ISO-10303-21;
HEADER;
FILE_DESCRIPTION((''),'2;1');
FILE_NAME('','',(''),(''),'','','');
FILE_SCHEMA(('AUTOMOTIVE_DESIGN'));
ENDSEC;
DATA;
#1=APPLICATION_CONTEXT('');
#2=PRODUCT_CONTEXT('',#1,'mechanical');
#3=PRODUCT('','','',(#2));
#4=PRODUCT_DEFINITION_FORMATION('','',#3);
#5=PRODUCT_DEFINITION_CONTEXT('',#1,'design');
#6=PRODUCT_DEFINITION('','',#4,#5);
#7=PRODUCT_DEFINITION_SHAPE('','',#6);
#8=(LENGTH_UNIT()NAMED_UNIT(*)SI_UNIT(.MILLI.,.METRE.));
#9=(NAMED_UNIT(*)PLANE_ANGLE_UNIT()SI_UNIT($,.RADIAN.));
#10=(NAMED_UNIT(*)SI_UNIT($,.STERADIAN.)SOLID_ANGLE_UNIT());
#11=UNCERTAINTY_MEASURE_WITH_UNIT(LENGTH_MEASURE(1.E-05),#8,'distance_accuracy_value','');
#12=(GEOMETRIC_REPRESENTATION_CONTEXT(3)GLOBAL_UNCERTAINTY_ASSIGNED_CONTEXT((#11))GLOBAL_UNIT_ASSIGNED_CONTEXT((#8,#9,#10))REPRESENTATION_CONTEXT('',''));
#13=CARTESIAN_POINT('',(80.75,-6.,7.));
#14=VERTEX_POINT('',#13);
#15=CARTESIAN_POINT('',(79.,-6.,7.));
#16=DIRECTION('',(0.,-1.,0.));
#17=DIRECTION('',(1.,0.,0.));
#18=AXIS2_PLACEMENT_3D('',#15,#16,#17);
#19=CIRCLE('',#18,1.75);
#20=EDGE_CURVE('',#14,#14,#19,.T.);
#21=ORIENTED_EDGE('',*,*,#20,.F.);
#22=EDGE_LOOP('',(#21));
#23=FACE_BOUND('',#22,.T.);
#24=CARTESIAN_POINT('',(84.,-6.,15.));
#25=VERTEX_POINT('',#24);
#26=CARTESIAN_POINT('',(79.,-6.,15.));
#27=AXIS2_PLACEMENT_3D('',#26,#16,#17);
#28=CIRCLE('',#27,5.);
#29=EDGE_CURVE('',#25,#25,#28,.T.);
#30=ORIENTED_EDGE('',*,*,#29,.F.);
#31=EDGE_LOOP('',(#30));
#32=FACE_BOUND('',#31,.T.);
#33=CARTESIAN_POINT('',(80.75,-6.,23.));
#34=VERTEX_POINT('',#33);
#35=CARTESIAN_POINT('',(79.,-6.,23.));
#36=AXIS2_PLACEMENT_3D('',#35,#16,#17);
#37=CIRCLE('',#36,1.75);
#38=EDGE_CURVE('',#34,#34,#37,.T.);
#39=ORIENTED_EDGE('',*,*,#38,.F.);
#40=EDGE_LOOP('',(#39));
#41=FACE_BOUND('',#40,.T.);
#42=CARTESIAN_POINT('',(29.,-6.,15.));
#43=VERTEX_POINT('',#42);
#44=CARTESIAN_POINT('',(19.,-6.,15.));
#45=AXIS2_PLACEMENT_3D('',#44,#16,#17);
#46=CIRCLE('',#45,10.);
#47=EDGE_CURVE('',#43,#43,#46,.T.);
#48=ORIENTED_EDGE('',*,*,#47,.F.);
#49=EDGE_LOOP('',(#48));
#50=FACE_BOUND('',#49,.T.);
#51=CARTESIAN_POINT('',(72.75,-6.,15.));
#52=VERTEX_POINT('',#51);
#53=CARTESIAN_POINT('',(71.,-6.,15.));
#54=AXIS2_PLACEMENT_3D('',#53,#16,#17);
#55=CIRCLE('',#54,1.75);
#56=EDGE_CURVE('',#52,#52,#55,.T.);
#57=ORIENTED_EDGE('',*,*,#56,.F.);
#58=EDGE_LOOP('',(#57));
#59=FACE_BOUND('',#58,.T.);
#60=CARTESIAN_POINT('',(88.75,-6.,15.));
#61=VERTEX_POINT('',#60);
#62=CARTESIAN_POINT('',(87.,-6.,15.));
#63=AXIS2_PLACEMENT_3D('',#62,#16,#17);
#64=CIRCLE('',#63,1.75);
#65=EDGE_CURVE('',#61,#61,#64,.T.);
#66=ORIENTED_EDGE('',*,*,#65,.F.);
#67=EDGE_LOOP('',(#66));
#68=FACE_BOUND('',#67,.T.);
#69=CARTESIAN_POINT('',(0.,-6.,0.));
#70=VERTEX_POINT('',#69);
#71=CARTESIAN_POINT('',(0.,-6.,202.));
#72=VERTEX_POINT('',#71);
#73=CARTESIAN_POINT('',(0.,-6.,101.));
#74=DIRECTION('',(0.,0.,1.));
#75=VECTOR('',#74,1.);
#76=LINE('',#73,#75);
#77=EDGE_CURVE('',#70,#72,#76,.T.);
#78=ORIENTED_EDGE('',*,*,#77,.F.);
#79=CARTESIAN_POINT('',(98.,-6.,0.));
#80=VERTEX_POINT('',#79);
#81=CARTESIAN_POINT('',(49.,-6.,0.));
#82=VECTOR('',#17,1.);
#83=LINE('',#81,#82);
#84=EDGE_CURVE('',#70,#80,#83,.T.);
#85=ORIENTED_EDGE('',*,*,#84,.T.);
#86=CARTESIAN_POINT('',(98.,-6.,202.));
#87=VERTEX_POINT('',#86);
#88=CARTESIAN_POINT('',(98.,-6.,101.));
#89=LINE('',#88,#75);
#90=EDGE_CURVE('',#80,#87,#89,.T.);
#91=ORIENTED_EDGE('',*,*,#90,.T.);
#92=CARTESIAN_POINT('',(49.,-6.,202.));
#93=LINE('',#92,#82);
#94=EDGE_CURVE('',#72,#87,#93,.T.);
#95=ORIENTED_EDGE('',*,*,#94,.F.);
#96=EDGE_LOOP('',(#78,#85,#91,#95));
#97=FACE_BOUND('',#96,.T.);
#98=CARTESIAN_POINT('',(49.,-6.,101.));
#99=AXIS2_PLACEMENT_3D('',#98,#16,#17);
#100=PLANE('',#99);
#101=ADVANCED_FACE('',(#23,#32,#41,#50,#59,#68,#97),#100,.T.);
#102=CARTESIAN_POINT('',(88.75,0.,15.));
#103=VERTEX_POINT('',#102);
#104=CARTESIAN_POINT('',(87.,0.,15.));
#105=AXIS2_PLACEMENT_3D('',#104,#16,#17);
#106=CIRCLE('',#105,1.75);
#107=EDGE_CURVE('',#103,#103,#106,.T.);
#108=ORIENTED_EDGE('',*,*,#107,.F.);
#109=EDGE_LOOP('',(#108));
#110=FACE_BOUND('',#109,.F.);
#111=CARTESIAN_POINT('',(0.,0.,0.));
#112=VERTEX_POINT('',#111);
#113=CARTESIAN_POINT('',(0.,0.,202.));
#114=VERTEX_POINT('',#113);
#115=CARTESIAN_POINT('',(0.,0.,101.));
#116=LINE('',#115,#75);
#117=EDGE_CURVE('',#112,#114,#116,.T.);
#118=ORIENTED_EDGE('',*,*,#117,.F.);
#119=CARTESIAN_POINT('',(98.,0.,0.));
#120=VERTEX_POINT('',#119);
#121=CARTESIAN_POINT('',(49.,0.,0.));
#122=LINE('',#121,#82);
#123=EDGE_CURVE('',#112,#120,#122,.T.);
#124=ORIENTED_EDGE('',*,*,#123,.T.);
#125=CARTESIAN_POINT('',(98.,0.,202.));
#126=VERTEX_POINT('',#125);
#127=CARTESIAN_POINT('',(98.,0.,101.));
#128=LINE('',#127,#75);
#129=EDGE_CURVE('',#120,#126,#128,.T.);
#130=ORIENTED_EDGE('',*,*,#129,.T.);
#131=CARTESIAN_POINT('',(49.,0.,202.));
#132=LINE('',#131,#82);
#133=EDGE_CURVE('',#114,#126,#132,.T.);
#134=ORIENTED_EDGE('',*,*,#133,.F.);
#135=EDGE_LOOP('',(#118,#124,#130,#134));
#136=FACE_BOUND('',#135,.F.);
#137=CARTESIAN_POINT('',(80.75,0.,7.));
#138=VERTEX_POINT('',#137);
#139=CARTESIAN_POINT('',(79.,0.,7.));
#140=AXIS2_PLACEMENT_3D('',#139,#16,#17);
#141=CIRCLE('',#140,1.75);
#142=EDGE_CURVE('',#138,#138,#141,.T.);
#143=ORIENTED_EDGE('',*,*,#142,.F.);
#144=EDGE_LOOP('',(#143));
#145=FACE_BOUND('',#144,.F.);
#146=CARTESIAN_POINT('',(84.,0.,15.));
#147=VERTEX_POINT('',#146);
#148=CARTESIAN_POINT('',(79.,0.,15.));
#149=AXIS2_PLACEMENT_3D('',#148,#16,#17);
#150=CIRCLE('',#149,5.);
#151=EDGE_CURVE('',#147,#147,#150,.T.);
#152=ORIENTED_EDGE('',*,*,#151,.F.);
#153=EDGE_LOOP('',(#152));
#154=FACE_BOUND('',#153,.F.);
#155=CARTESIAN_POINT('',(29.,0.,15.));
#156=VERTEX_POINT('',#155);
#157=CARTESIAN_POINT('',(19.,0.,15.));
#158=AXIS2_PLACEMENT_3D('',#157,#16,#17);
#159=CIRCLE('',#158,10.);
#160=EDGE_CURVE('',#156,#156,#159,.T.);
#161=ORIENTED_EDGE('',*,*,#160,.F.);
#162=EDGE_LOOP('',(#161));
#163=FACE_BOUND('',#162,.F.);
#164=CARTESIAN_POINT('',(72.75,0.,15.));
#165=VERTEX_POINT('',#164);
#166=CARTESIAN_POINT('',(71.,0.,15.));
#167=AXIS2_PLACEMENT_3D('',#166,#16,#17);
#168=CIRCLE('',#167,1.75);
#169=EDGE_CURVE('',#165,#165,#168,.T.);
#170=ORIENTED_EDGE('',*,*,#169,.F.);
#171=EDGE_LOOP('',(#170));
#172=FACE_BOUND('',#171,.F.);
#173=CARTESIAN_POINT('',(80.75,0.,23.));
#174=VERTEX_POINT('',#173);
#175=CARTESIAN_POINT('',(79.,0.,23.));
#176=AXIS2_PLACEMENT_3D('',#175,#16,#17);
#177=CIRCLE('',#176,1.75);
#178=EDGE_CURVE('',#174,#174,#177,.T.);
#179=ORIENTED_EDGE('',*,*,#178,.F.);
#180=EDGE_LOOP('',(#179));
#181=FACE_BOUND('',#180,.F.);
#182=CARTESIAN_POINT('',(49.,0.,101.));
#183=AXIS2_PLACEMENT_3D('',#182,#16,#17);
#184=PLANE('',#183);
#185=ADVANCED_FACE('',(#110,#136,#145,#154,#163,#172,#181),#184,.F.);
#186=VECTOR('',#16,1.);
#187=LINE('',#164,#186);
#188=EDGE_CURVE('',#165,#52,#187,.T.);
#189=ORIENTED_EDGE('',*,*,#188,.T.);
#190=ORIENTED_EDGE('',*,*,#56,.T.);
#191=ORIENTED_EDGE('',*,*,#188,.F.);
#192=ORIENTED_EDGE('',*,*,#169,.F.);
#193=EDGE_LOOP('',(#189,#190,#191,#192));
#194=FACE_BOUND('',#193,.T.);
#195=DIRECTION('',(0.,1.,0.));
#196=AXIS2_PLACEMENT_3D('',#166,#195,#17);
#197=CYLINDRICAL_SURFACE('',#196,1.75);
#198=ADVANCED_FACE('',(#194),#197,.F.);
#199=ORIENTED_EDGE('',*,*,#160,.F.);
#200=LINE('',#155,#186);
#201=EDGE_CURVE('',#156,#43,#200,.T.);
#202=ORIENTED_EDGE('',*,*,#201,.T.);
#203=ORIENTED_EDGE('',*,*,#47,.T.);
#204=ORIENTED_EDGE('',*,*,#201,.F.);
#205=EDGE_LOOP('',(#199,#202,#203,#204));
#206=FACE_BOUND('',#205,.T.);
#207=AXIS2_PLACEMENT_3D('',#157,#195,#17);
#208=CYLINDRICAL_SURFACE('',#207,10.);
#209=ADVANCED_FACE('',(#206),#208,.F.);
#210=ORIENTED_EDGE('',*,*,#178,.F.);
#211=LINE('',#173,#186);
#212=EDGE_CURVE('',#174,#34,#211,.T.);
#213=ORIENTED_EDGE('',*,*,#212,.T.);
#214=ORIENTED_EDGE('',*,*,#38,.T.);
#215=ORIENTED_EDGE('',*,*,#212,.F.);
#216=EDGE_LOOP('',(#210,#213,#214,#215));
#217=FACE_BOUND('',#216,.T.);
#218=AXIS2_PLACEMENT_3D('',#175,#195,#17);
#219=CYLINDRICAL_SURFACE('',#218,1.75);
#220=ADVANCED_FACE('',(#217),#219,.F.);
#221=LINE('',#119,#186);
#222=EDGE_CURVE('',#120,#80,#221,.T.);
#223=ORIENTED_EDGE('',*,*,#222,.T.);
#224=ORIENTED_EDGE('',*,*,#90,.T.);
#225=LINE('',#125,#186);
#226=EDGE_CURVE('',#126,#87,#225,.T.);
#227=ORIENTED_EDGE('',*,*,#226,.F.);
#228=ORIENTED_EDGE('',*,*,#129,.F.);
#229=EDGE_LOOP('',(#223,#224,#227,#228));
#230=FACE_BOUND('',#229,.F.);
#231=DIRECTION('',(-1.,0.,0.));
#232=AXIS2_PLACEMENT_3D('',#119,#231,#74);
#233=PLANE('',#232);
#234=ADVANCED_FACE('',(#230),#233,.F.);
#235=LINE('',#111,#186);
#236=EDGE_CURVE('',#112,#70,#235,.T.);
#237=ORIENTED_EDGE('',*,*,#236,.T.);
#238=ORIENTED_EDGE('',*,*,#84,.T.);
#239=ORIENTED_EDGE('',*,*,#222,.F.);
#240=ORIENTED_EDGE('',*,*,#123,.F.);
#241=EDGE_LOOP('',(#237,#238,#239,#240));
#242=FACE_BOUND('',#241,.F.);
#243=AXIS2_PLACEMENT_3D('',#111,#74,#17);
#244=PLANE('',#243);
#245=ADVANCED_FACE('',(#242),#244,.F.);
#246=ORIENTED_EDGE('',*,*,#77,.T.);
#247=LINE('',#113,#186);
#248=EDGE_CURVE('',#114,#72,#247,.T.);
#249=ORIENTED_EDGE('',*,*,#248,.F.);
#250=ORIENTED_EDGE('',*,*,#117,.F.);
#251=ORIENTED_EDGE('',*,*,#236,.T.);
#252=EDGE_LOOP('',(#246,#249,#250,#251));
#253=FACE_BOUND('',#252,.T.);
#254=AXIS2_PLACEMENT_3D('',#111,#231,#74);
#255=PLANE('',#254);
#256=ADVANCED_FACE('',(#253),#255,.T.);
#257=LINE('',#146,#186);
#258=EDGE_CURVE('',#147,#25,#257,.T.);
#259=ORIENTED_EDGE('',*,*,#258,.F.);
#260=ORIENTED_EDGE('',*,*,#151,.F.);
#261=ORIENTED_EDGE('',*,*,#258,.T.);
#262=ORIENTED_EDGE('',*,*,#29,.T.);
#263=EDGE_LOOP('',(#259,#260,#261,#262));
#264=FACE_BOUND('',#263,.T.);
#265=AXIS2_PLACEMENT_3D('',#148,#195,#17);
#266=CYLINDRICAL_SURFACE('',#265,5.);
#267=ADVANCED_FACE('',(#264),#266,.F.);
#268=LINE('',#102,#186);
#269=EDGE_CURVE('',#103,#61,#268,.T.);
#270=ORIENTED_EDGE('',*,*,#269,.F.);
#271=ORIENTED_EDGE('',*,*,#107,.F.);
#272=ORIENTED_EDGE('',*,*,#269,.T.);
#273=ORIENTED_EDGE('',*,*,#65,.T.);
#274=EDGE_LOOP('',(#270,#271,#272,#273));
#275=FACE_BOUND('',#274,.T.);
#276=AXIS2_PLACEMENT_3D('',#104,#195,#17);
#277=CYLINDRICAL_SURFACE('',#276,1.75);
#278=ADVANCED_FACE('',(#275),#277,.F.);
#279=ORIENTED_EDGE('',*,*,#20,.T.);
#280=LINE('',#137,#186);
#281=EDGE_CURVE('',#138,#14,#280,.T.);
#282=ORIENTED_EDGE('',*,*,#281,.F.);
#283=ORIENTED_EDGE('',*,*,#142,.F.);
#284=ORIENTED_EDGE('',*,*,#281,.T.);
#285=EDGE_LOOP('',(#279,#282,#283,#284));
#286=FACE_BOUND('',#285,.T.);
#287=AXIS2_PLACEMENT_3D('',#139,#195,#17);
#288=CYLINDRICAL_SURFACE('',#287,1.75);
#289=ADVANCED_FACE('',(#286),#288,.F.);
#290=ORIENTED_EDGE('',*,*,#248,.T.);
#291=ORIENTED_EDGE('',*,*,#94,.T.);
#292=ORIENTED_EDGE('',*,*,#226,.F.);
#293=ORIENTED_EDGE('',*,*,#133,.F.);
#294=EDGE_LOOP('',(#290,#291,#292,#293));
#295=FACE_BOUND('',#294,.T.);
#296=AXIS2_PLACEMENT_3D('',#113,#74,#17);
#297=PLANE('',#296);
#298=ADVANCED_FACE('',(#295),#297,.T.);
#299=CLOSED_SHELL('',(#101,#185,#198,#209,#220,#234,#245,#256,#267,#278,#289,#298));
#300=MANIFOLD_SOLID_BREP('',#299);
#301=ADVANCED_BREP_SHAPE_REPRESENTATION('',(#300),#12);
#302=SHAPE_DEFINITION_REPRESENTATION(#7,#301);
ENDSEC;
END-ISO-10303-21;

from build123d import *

# Parameters (mm, degrees)
SKETCH_W   = 98
SKETCH_H   = 202
SKETCH_R   = 10
SKETCH_R_2 = 5
SKETCH_R_3 = 1.75
PAD_DEPTH  = 6


with BuildPart() as part:
    # Sketch → Pad (new body)
    with BuildSketch(Plane.XZ):
        with Locations((49, 101)):
            Rectangle(SKETCH_W, SKETCH_H)
        with Locations((19, 15)):
            Circle(SKETCH_R, mode=Mode.SUBTRACT)
        with Locations((79, 15)):
            Circle(SKETCH_R_2, mode=Mode.SUBTRACT)
        with Locations((79, 23)):
            Circle(SKETCH_R_3, mode=Mode.SUBTRACT)
        with Locations((71, 15)):
            Circle(SKETCH_R_3, mode=Mode.SUBTRACT)
        with Locations((79, 7)):
            Circle(SKETCH_R_3, mode=Mode.SUBTRACT)
        with Locations((87, 15)):
            Circle(SKETCH_R_3, mode=Mode.SUBTRACT)
    extrude(amount=PAD_DEPTH)


solid = part.part
